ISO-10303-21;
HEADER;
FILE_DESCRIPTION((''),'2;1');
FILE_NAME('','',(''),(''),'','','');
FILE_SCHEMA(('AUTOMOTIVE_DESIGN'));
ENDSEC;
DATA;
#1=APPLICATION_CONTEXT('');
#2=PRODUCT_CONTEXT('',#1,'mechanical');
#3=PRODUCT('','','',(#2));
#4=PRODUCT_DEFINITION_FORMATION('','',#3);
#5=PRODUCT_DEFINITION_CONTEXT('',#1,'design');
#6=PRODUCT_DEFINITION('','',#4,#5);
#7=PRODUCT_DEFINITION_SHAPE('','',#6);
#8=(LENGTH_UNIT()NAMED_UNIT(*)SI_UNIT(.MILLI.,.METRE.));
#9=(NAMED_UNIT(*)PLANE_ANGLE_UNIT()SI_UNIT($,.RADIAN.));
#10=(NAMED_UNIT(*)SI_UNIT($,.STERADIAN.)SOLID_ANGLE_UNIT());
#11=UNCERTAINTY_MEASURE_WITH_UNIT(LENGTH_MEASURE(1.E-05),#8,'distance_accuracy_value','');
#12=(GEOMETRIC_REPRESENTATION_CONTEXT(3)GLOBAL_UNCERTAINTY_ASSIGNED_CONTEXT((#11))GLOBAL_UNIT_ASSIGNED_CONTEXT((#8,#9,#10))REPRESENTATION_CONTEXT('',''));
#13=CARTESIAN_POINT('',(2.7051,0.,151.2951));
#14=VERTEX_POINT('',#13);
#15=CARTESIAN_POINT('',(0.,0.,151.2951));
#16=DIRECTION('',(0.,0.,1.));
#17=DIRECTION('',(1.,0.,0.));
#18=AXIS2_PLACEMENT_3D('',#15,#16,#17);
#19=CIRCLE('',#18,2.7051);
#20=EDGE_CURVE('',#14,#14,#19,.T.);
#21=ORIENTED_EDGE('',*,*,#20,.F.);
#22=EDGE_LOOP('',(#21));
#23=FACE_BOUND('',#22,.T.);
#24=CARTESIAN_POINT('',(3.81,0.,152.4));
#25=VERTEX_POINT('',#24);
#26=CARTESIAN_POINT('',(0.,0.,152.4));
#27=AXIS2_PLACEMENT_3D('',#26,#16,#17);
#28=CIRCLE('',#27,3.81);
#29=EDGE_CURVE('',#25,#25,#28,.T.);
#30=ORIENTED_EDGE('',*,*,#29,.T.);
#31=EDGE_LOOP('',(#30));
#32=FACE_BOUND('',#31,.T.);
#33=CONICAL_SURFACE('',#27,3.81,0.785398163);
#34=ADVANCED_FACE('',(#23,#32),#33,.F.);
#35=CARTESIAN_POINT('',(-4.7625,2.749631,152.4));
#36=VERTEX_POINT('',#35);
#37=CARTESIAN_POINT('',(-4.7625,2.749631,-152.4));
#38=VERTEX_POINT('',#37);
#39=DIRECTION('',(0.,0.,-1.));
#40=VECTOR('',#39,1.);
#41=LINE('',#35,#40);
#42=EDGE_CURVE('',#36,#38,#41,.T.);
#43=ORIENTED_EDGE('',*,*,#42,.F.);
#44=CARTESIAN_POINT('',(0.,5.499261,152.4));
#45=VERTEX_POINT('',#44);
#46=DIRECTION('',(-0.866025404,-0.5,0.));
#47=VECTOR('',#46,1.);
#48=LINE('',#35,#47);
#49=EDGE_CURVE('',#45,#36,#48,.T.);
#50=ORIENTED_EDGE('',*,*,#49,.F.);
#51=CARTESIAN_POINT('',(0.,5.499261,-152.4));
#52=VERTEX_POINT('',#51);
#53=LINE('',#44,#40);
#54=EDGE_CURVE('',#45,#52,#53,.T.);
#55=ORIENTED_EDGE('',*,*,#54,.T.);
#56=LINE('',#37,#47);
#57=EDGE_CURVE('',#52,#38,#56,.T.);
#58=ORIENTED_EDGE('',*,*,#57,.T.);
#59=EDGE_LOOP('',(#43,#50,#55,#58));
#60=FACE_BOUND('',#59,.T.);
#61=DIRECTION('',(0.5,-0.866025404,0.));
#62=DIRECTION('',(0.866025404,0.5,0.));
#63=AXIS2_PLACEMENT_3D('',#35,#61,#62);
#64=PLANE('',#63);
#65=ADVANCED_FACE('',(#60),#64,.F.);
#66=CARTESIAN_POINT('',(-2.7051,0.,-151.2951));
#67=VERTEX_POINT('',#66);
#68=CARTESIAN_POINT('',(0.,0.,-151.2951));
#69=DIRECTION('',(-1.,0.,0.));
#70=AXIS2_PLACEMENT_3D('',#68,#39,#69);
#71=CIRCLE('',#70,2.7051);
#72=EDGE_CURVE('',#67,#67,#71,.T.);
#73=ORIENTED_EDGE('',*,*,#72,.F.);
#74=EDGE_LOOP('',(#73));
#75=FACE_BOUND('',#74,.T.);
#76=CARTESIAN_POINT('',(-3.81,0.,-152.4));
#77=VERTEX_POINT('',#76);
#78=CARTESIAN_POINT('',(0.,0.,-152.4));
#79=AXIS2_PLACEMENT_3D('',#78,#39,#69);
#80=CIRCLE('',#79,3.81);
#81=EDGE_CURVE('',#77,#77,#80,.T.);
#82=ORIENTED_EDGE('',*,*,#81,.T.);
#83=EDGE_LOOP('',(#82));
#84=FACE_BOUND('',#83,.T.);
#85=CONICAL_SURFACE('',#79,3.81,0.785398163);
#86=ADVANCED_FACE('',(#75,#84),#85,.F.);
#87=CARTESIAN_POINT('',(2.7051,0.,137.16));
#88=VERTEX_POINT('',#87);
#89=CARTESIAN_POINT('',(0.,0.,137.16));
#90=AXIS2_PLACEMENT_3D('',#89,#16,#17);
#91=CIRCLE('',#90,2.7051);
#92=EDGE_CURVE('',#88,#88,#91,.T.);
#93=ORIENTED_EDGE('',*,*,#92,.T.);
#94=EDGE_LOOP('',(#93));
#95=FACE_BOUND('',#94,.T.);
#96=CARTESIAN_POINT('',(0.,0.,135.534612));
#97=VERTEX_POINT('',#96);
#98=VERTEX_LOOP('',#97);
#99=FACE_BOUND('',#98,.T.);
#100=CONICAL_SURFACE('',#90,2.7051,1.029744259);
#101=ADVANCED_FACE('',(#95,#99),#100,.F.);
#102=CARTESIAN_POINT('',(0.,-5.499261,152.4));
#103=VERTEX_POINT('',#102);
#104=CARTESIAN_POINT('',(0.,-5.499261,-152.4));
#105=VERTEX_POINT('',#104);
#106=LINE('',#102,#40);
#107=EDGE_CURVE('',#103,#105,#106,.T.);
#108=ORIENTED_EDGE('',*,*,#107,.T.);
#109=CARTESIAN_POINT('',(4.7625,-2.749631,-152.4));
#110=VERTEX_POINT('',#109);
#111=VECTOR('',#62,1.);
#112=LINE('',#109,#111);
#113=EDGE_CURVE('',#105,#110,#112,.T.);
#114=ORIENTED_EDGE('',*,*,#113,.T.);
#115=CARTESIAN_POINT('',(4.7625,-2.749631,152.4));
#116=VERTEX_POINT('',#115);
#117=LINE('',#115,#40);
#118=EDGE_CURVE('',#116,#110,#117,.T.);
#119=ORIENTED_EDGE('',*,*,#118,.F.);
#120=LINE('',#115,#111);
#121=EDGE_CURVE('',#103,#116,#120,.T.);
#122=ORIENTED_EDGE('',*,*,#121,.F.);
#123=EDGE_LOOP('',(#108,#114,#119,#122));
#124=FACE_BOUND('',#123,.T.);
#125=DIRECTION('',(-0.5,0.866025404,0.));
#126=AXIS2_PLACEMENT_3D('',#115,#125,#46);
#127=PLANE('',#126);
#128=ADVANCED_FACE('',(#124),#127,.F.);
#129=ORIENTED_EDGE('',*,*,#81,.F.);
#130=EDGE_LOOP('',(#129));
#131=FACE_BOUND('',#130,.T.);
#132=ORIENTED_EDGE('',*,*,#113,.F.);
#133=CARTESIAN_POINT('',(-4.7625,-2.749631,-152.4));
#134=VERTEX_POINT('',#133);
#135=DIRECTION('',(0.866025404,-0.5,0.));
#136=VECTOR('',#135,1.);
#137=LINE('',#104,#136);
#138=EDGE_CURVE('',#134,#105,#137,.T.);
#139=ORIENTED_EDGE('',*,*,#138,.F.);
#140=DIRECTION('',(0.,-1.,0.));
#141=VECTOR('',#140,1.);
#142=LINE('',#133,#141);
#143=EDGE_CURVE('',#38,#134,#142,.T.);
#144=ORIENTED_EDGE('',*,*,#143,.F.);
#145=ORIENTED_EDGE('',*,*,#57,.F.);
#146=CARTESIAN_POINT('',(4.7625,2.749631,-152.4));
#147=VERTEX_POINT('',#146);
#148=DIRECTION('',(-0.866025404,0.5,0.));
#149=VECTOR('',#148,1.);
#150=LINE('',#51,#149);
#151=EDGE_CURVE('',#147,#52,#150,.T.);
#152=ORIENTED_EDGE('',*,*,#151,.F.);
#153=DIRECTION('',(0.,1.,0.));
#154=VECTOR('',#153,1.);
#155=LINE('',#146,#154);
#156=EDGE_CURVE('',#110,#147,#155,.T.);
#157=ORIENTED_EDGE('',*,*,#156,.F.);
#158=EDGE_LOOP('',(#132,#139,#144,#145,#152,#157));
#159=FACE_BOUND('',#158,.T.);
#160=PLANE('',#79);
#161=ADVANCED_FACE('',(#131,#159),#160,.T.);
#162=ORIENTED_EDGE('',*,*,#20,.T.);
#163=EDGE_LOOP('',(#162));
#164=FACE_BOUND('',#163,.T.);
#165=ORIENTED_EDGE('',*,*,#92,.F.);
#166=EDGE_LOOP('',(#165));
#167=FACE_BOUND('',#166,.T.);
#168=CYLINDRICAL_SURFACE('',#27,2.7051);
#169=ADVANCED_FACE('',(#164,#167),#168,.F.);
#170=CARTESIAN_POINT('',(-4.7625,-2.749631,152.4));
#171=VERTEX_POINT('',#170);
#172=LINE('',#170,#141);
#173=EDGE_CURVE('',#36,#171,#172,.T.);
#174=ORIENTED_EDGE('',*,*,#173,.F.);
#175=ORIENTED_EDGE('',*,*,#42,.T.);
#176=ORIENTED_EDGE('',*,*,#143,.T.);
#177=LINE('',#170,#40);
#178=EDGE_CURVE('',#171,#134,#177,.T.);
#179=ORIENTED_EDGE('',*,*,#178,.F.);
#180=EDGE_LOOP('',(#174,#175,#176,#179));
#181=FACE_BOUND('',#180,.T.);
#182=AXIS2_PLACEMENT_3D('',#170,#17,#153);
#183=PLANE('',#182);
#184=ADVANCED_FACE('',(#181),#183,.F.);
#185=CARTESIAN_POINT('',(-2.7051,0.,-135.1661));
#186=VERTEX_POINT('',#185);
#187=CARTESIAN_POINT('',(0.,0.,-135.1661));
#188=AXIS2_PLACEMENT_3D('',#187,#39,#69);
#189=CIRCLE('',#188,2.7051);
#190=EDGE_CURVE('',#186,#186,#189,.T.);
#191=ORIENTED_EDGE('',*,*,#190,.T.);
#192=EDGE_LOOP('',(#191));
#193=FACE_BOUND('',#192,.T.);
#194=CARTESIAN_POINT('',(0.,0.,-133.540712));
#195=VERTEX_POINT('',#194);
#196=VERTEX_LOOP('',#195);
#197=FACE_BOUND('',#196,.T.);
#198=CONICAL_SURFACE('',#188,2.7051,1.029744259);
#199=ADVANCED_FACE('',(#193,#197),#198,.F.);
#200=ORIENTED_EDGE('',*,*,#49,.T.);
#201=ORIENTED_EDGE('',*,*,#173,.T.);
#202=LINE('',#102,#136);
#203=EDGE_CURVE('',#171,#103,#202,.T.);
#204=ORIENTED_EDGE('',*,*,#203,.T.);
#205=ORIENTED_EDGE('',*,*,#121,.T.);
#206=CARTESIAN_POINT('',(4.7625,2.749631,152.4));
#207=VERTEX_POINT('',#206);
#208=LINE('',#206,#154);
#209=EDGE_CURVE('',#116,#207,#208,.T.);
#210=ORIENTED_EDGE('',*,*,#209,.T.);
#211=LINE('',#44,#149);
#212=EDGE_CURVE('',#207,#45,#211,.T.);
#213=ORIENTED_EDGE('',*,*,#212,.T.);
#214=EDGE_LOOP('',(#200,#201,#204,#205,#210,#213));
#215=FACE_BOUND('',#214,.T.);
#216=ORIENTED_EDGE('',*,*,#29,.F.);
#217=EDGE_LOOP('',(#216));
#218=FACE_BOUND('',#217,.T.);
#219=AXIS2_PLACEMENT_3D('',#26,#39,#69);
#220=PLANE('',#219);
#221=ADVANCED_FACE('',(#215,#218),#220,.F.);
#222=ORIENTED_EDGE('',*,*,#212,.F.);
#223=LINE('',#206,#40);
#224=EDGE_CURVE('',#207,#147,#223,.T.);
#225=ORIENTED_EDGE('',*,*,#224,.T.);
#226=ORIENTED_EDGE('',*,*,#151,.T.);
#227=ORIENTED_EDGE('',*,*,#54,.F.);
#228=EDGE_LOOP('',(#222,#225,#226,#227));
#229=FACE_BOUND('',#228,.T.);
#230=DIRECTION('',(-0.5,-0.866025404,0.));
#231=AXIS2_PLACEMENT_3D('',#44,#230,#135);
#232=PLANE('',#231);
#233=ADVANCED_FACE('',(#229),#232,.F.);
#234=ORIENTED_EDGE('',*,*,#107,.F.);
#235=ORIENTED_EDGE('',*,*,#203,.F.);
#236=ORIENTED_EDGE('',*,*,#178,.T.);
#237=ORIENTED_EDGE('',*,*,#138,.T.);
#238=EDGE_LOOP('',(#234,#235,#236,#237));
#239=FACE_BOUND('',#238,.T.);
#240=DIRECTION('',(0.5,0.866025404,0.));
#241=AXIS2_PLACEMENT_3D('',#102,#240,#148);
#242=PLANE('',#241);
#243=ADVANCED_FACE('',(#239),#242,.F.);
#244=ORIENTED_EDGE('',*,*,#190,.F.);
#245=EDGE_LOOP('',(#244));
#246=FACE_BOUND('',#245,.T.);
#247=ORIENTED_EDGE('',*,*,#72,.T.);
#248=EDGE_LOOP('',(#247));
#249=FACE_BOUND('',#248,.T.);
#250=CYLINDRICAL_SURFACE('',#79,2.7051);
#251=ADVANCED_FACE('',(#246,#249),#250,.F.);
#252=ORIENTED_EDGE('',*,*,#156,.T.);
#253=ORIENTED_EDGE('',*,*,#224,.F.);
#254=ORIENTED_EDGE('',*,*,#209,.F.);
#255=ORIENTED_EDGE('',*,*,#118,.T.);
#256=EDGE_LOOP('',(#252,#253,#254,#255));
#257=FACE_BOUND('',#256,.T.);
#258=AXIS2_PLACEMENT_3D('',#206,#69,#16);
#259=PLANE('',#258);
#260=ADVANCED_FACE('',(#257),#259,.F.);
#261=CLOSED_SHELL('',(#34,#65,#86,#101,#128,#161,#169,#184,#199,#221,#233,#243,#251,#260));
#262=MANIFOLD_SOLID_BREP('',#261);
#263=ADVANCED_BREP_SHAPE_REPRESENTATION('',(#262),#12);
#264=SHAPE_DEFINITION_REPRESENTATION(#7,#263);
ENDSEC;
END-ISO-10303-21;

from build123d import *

# Parameters (mm, degrees)
BOSS_EXTRUDE1_DEPTH               = 152.4
F_1_4_28_TAPPED_HOLE1_D           = 5.4102
F_1_4_28_TAPPED_HOLE1_DEPTH       = 15.24
F_1_4_28_TAPPED_HOLE1_CSINK_D     = 7.62
F_1_4_28_TAPPED_HOLE1_CSINK_ANGLE = 90
F_1_4_28_TAPPED_HOLE1_TIP         = 1.625388061
F_1_4_28_TAPPED_HOLE2_D           = 5.4102
F_1_4_28_TAPPED_HOLE2_DEPTH       = 17.2339
F_1_4_28_TAPPED_HOLE2_CSINK_D     = 7.62
F_1_4_28_TAPPED_HOLE2_CSINK_ANGLE = 90
F_1_4_28_TAPPED_HOLE2_TIP         = 1.625388061


with BuildPart() as part:
    # Sketch3 → Boss-Extrude1 (new, symmetric)
    with BuildSketch(Plane.XY):
        Polygon((0, 5.499261314), (4.7625, 2.749630657), (4.7625, -2.749630657), (0, -5.499261314), (-4.7625, -2.749630657), (-4.7625, 2.749630657), align=None)
    extrude(amount=BOSS_EXTRUDE1_DEPTH, both=True)

    # 1/4-28 Tapped Hole1
    with Locations(Plane.XY.offset(152.4)):
        with Locations((0, 0)):
            CounterSinkHole(F_1_4_28_TAPPED_HOLE1_D / 2, F_1_4_28_TAPPED_HOLE1_CSINK_D / 2, depth=F_1_4_28_TAPPED_HOLE1_DEPTH, counter_sink_angle=F_1_4_28_TAPPED_HOLE1_CSINK_ANGLE)
            with Locations((0, 0, -(F_1_4_28_TAPPED_HOLE1_DEPTH + F_1_4_28_TAPPED_HOLE1_TIP / 2))):  # 118° drill point
                Cone(0, F_1_4_28_TAPPED_HOLE1_D / 2, F_1_4_28_TAPPED_HOLE1_TIP, mode=Mode.SUBTRACT)

    # 1/4-28 Tapped Hole2
    with Locations(Plane(origin=(0, 0, -152.4), x_dir=(-1, 0, 0), z_dir=(0, 0, -1))):
        with Locations((0, 0)):
            CounterSinkHole(F_1_4_28_TAPPED_HOLE2_D / 2, F_1_4_28_TAPPED_HOLE2_CSINK_D / 2, depth=F_1_4_28_TAPPED_HOLE2_DEPTH, counter_sink_angle=F_1_4_28_TAPPED_HOLE2_CSINK_ANGLE)
            with Locations((0, 0, -(F_1_4_28_TAPPED_HOLE2_DEPTH + F_1_4_28_TAPPED_HOLE2_TIP / 2))):  # 118° drill point
                Cone(0, F_1_4_28_TAPPED_HOLE2_D / 2, F_1_4_28_TAPPED_HOLE2_TIP, mode=Mode.SUBTRACT)


solid = part.part
